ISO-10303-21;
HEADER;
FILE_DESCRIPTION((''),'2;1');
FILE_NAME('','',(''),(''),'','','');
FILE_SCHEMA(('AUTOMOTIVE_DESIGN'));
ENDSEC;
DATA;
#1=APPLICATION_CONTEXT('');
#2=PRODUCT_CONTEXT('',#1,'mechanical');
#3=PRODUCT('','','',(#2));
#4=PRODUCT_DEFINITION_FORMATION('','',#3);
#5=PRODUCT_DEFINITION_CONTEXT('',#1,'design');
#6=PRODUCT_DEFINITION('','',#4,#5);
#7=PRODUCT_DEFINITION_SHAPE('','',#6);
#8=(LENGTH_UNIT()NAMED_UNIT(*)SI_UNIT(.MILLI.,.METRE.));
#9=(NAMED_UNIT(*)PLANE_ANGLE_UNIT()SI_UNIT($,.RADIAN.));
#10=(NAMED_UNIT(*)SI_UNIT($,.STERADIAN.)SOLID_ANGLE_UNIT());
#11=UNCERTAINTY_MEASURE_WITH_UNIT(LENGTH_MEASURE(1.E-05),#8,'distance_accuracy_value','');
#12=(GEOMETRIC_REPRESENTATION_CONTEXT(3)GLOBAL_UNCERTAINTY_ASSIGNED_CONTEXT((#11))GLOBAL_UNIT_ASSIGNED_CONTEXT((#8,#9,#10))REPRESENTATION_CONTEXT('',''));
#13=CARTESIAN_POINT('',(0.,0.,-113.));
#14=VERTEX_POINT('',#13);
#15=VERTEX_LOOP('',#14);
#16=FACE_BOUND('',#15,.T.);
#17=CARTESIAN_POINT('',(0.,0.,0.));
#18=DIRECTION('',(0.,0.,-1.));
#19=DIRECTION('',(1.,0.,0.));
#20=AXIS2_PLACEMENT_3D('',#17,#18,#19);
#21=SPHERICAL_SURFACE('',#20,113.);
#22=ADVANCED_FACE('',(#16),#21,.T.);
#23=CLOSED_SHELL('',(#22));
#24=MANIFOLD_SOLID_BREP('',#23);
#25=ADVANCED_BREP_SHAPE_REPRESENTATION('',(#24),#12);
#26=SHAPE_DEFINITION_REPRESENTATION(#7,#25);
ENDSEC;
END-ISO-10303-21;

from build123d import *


with BuildPart() as part:
    # 草图1 → 旋转1 (revolve)
    with BuildSketch(Plane(origin=(0, 0, 0), x_dir=(1, 0, 0), z_dir=(0, 1, 0))):
        with BuildLine():
            Line((0, 113), (0, -113))
            ThreePointArc((0, -113), (113, 0), (0, 113))
        make_face()
    revolve(axis=Axis((0, 0, -113), (0, 0, 1)))


solid = part.part
